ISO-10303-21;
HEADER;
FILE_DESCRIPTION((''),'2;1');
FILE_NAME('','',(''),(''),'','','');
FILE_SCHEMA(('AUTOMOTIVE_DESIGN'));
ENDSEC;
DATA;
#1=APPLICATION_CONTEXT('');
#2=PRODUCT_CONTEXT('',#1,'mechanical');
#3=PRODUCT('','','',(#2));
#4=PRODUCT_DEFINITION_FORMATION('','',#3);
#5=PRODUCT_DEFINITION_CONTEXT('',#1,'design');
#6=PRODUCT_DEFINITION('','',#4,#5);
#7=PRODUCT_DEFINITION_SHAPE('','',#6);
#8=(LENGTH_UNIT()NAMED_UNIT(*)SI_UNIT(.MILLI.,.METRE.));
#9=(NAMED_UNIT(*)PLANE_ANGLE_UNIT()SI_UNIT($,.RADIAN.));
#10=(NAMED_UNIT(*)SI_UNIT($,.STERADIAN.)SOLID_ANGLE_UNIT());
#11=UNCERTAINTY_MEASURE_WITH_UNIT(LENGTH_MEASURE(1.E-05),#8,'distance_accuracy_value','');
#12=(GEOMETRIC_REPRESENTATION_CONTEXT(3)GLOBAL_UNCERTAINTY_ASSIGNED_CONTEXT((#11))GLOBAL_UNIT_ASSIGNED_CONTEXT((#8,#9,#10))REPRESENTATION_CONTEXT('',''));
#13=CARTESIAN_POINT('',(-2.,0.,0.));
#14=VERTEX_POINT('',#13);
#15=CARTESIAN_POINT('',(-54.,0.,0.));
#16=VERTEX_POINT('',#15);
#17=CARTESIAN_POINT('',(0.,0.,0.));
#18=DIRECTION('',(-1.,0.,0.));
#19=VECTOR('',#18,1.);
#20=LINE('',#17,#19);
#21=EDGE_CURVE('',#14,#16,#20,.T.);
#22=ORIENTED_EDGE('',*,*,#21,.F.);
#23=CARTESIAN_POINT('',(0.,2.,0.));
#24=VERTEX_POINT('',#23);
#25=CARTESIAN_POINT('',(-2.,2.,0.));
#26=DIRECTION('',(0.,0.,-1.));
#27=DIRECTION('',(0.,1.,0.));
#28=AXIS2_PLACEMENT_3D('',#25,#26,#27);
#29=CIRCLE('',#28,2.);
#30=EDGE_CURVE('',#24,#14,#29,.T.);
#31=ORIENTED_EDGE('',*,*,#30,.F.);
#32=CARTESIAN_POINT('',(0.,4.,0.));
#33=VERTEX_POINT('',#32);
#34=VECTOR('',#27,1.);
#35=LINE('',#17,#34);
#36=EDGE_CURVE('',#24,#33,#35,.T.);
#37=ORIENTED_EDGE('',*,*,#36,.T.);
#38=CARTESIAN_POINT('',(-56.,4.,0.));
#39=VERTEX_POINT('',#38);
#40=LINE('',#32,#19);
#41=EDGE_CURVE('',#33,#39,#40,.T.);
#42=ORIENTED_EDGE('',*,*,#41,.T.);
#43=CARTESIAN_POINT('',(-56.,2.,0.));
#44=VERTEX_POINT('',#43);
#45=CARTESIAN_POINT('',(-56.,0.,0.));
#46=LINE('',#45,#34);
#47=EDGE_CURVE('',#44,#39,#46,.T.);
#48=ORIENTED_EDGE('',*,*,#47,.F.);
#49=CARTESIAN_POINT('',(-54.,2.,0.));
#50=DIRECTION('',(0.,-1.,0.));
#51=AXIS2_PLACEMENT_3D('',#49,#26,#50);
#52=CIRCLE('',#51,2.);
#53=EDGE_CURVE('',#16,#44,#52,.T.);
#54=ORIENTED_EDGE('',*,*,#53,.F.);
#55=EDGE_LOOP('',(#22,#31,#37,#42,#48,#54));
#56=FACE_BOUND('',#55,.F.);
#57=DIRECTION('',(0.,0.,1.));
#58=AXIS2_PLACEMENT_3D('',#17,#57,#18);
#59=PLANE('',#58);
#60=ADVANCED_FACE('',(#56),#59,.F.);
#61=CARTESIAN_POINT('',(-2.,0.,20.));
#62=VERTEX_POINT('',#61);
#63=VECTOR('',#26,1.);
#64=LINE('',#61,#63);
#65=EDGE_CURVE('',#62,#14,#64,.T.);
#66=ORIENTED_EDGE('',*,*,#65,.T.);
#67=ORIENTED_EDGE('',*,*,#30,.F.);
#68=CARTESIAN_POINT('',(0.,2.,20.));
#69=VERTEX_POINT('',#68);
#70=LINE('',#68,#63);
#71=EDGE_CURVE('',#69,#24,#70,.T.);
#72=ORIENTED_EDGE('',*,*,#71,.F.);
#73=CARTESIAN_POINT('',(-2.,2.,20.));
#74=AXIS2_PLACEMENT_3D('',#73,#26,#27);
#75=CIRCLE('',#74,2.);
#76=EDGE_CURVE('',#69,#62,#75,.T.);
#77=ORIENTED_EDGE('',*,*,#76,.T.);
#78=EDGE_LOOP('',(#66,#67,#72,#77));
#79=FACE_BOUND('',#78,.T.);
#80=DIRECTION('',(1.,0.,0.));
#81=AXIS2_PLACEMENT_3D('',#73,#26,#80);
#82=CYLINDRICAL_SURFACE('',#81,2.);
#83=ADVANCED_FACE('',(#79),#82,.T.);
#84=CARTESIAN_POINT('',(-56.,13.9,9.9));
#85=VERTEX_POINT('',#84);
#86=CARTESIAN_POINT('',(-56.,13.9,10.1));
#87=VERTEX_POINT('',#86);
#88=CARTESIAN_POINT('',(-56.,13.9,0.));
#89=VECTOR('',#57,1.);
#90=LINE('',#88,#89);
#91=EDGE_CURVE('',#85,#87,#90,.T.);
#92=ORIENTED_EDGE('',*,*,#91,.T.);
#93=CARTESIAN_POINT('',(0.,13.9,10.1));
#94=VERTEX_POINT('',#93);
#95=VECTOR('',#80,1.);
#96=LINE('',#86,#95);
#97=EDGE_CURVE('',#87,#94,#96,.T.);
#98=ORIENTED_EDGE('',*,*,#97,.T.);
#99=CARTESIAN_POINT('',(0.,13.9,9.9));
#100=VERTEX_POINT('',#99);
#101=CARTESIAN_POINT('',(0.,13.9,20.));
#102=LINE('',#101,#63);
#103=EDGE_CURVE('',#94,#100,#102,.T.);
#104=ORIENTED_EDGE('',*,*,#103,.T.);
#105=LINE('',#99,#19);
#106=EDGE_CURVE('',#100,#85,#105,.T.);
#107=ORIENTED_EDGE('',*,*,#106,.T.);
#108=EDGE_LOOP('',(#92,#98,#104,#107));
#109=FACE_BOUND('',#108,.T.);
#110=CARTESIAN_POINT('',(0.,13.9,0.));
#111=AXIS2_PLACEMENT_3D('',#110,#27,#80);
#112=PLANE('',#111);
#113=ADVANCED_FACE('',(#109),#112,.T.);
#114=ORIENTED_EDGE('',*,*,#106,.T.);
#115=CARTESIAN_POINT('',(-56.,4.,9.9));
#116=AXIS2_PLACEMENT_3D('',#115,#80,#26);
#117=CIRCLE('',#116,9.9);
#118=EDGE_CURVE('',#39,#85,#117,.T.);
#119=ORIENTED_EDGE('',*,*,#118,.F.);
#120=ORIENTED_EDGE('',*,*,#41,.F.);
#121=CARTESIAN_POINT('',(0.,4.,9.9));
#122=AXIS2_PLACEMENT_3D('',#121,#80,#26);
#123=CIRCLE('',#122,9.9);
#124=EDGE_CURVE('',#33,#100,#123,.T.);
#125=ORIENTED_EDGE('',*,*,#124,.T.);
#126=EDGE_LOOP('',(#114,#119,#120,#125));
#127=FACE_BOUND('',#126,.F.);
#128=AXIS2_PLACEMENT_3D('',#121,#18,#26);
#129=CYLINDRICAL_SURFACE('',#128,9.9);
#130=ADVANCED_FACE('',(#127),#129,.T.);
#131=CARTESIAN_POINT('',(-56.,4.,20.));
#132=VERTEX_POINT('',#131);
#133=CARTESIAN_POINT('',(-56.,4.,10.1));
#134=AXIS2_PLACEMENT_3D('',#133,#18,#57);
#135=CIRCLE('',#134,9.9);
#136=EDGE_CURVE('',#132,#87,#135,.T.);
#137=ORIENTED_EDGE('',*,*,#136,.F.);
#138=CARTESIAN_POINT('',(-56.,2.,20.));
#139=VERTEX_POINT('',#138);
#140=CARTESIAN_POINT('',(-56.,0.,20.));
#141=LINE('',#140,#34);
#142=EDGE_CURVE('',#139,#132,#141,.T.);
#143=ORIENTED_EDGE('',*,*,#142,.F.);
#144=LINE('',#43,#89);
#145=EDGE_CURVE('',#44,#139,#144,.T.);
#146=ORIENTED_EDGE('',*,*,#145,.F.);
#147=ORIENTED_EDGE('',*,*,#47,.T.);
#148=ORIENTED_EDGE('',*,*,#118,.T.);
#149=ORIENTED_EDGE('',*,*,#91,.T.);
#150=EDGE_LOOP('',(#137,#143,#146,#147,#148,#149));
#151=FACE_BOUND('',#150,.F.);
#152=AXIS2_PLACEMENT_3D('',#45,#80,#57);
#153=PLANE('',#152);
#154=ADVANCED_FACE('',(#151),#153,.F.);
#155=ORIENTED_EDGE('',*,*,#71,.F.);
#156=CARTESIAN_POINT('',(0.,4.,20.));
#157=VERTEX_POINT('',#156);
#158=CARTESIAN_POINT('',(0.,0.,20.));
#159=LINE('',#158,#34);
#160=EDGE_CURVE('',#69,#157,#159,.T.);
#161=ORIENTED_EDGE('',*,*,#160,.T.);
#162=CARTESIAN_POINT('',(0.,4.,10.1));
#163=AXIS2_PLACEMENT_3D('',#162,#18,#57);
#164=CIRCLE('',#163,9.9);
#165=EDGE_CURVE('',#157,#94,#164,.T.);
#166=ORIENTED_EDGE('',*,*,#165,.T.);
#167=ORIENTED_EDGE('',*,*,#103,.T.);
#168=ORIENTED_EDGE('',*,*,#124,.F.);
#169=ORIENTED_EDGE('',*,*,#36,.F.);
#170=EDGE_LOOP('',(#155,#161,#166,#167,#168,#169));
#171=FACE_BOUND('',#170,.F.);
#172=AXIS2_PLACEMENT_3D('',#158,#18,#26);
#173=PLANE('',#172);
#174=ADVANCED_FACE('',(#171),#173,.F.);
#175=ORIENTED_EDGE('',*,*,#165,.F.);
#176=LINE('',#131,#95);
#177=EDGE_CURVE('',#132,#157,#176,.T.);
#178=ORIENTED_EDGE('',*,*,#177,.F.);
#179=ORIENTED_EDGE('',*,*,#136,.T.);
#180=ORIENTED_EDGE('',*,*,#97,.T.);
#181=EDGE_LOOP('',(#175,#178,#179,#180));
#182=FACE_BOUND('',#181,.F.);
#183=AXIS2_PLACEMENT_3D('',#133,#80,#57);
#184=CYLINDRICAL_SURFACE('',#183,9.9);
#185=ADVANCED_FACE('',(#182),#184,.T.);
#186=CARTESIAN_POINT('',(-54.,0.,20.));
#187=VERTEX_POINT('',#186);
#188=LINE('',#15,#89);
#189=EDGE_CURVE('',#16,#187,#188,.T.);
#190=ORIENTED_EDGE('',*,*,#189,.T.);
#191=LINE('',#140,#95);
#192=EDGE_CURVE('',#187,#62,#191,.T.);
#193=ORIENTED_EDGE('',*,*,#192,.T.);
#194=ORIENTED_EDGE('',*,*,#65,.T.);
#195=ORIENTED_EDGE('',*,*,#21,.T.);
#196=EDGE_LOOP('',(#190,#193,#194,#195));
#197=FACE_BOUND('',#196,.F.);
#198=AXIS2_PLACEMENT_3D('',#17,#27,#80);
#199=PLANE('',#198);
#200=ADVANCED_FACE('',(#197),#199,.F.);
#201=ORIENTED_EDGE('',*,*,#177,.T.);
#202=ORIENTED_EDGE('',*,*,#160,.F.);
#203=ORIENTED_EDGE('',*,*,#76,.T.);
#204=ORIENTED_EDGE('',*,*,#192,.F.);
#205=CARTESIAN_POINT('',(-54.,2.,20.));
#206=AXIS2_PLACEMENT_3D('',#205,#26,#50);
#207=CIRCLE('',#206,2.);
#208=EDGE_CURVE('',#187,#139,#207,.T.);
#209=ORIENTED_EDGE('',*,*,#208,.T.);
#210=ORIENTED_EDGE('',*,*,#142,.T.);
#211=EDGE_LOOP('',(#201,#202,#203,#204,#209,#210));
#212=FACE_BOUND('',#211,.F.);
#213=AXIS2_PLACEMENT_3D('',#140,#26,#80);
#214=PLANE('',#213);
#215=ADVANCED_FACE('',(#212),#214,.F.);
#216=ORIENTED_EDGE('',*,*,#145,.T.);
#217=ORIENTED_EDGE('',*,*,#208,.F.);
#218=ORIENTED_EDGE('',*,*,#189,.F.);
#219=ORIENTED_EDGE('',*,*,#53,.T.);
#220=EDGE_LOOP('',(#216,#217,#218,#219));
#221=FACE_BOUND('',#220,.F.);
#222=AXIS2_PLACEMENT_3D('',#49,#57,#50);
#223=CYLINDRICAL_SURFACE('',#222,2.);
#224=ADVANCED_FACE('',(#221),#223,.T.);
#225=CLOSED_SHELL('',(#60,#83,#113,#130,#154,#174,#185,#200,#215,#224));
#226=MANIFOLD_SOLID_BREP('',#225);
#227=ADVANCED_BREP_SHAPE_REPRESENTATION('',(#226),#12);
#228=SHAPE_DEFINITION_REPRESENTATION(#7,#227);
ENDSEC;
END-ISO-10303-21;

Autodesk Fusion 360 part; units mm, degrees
sketch "Esboço1" plane through (0, 0, 0) normal (0, 1, 0) x (1, 0, 0)
  line L0 (0, 0) -> (-56, 0)
  line L1 (-56, 0) -> (-56, -20)
  line L2 (-56, -20) -> (0, -20)
  line L3 (0, -20) -> (0, 0)
  dimension "d1" = 56
  dimension "d2" = 20
extrude "Extrusão1" add sketch "Esboço1" along normal blind 13.9
fillet "Arredondamento1" radius 9.9 2 edges at (-28, 13.9, 20) (-28, 13.9, 0)
fillet "Fillet2" radius 2 2 edges at (0, 0, 10) (-56, 0, 10)
